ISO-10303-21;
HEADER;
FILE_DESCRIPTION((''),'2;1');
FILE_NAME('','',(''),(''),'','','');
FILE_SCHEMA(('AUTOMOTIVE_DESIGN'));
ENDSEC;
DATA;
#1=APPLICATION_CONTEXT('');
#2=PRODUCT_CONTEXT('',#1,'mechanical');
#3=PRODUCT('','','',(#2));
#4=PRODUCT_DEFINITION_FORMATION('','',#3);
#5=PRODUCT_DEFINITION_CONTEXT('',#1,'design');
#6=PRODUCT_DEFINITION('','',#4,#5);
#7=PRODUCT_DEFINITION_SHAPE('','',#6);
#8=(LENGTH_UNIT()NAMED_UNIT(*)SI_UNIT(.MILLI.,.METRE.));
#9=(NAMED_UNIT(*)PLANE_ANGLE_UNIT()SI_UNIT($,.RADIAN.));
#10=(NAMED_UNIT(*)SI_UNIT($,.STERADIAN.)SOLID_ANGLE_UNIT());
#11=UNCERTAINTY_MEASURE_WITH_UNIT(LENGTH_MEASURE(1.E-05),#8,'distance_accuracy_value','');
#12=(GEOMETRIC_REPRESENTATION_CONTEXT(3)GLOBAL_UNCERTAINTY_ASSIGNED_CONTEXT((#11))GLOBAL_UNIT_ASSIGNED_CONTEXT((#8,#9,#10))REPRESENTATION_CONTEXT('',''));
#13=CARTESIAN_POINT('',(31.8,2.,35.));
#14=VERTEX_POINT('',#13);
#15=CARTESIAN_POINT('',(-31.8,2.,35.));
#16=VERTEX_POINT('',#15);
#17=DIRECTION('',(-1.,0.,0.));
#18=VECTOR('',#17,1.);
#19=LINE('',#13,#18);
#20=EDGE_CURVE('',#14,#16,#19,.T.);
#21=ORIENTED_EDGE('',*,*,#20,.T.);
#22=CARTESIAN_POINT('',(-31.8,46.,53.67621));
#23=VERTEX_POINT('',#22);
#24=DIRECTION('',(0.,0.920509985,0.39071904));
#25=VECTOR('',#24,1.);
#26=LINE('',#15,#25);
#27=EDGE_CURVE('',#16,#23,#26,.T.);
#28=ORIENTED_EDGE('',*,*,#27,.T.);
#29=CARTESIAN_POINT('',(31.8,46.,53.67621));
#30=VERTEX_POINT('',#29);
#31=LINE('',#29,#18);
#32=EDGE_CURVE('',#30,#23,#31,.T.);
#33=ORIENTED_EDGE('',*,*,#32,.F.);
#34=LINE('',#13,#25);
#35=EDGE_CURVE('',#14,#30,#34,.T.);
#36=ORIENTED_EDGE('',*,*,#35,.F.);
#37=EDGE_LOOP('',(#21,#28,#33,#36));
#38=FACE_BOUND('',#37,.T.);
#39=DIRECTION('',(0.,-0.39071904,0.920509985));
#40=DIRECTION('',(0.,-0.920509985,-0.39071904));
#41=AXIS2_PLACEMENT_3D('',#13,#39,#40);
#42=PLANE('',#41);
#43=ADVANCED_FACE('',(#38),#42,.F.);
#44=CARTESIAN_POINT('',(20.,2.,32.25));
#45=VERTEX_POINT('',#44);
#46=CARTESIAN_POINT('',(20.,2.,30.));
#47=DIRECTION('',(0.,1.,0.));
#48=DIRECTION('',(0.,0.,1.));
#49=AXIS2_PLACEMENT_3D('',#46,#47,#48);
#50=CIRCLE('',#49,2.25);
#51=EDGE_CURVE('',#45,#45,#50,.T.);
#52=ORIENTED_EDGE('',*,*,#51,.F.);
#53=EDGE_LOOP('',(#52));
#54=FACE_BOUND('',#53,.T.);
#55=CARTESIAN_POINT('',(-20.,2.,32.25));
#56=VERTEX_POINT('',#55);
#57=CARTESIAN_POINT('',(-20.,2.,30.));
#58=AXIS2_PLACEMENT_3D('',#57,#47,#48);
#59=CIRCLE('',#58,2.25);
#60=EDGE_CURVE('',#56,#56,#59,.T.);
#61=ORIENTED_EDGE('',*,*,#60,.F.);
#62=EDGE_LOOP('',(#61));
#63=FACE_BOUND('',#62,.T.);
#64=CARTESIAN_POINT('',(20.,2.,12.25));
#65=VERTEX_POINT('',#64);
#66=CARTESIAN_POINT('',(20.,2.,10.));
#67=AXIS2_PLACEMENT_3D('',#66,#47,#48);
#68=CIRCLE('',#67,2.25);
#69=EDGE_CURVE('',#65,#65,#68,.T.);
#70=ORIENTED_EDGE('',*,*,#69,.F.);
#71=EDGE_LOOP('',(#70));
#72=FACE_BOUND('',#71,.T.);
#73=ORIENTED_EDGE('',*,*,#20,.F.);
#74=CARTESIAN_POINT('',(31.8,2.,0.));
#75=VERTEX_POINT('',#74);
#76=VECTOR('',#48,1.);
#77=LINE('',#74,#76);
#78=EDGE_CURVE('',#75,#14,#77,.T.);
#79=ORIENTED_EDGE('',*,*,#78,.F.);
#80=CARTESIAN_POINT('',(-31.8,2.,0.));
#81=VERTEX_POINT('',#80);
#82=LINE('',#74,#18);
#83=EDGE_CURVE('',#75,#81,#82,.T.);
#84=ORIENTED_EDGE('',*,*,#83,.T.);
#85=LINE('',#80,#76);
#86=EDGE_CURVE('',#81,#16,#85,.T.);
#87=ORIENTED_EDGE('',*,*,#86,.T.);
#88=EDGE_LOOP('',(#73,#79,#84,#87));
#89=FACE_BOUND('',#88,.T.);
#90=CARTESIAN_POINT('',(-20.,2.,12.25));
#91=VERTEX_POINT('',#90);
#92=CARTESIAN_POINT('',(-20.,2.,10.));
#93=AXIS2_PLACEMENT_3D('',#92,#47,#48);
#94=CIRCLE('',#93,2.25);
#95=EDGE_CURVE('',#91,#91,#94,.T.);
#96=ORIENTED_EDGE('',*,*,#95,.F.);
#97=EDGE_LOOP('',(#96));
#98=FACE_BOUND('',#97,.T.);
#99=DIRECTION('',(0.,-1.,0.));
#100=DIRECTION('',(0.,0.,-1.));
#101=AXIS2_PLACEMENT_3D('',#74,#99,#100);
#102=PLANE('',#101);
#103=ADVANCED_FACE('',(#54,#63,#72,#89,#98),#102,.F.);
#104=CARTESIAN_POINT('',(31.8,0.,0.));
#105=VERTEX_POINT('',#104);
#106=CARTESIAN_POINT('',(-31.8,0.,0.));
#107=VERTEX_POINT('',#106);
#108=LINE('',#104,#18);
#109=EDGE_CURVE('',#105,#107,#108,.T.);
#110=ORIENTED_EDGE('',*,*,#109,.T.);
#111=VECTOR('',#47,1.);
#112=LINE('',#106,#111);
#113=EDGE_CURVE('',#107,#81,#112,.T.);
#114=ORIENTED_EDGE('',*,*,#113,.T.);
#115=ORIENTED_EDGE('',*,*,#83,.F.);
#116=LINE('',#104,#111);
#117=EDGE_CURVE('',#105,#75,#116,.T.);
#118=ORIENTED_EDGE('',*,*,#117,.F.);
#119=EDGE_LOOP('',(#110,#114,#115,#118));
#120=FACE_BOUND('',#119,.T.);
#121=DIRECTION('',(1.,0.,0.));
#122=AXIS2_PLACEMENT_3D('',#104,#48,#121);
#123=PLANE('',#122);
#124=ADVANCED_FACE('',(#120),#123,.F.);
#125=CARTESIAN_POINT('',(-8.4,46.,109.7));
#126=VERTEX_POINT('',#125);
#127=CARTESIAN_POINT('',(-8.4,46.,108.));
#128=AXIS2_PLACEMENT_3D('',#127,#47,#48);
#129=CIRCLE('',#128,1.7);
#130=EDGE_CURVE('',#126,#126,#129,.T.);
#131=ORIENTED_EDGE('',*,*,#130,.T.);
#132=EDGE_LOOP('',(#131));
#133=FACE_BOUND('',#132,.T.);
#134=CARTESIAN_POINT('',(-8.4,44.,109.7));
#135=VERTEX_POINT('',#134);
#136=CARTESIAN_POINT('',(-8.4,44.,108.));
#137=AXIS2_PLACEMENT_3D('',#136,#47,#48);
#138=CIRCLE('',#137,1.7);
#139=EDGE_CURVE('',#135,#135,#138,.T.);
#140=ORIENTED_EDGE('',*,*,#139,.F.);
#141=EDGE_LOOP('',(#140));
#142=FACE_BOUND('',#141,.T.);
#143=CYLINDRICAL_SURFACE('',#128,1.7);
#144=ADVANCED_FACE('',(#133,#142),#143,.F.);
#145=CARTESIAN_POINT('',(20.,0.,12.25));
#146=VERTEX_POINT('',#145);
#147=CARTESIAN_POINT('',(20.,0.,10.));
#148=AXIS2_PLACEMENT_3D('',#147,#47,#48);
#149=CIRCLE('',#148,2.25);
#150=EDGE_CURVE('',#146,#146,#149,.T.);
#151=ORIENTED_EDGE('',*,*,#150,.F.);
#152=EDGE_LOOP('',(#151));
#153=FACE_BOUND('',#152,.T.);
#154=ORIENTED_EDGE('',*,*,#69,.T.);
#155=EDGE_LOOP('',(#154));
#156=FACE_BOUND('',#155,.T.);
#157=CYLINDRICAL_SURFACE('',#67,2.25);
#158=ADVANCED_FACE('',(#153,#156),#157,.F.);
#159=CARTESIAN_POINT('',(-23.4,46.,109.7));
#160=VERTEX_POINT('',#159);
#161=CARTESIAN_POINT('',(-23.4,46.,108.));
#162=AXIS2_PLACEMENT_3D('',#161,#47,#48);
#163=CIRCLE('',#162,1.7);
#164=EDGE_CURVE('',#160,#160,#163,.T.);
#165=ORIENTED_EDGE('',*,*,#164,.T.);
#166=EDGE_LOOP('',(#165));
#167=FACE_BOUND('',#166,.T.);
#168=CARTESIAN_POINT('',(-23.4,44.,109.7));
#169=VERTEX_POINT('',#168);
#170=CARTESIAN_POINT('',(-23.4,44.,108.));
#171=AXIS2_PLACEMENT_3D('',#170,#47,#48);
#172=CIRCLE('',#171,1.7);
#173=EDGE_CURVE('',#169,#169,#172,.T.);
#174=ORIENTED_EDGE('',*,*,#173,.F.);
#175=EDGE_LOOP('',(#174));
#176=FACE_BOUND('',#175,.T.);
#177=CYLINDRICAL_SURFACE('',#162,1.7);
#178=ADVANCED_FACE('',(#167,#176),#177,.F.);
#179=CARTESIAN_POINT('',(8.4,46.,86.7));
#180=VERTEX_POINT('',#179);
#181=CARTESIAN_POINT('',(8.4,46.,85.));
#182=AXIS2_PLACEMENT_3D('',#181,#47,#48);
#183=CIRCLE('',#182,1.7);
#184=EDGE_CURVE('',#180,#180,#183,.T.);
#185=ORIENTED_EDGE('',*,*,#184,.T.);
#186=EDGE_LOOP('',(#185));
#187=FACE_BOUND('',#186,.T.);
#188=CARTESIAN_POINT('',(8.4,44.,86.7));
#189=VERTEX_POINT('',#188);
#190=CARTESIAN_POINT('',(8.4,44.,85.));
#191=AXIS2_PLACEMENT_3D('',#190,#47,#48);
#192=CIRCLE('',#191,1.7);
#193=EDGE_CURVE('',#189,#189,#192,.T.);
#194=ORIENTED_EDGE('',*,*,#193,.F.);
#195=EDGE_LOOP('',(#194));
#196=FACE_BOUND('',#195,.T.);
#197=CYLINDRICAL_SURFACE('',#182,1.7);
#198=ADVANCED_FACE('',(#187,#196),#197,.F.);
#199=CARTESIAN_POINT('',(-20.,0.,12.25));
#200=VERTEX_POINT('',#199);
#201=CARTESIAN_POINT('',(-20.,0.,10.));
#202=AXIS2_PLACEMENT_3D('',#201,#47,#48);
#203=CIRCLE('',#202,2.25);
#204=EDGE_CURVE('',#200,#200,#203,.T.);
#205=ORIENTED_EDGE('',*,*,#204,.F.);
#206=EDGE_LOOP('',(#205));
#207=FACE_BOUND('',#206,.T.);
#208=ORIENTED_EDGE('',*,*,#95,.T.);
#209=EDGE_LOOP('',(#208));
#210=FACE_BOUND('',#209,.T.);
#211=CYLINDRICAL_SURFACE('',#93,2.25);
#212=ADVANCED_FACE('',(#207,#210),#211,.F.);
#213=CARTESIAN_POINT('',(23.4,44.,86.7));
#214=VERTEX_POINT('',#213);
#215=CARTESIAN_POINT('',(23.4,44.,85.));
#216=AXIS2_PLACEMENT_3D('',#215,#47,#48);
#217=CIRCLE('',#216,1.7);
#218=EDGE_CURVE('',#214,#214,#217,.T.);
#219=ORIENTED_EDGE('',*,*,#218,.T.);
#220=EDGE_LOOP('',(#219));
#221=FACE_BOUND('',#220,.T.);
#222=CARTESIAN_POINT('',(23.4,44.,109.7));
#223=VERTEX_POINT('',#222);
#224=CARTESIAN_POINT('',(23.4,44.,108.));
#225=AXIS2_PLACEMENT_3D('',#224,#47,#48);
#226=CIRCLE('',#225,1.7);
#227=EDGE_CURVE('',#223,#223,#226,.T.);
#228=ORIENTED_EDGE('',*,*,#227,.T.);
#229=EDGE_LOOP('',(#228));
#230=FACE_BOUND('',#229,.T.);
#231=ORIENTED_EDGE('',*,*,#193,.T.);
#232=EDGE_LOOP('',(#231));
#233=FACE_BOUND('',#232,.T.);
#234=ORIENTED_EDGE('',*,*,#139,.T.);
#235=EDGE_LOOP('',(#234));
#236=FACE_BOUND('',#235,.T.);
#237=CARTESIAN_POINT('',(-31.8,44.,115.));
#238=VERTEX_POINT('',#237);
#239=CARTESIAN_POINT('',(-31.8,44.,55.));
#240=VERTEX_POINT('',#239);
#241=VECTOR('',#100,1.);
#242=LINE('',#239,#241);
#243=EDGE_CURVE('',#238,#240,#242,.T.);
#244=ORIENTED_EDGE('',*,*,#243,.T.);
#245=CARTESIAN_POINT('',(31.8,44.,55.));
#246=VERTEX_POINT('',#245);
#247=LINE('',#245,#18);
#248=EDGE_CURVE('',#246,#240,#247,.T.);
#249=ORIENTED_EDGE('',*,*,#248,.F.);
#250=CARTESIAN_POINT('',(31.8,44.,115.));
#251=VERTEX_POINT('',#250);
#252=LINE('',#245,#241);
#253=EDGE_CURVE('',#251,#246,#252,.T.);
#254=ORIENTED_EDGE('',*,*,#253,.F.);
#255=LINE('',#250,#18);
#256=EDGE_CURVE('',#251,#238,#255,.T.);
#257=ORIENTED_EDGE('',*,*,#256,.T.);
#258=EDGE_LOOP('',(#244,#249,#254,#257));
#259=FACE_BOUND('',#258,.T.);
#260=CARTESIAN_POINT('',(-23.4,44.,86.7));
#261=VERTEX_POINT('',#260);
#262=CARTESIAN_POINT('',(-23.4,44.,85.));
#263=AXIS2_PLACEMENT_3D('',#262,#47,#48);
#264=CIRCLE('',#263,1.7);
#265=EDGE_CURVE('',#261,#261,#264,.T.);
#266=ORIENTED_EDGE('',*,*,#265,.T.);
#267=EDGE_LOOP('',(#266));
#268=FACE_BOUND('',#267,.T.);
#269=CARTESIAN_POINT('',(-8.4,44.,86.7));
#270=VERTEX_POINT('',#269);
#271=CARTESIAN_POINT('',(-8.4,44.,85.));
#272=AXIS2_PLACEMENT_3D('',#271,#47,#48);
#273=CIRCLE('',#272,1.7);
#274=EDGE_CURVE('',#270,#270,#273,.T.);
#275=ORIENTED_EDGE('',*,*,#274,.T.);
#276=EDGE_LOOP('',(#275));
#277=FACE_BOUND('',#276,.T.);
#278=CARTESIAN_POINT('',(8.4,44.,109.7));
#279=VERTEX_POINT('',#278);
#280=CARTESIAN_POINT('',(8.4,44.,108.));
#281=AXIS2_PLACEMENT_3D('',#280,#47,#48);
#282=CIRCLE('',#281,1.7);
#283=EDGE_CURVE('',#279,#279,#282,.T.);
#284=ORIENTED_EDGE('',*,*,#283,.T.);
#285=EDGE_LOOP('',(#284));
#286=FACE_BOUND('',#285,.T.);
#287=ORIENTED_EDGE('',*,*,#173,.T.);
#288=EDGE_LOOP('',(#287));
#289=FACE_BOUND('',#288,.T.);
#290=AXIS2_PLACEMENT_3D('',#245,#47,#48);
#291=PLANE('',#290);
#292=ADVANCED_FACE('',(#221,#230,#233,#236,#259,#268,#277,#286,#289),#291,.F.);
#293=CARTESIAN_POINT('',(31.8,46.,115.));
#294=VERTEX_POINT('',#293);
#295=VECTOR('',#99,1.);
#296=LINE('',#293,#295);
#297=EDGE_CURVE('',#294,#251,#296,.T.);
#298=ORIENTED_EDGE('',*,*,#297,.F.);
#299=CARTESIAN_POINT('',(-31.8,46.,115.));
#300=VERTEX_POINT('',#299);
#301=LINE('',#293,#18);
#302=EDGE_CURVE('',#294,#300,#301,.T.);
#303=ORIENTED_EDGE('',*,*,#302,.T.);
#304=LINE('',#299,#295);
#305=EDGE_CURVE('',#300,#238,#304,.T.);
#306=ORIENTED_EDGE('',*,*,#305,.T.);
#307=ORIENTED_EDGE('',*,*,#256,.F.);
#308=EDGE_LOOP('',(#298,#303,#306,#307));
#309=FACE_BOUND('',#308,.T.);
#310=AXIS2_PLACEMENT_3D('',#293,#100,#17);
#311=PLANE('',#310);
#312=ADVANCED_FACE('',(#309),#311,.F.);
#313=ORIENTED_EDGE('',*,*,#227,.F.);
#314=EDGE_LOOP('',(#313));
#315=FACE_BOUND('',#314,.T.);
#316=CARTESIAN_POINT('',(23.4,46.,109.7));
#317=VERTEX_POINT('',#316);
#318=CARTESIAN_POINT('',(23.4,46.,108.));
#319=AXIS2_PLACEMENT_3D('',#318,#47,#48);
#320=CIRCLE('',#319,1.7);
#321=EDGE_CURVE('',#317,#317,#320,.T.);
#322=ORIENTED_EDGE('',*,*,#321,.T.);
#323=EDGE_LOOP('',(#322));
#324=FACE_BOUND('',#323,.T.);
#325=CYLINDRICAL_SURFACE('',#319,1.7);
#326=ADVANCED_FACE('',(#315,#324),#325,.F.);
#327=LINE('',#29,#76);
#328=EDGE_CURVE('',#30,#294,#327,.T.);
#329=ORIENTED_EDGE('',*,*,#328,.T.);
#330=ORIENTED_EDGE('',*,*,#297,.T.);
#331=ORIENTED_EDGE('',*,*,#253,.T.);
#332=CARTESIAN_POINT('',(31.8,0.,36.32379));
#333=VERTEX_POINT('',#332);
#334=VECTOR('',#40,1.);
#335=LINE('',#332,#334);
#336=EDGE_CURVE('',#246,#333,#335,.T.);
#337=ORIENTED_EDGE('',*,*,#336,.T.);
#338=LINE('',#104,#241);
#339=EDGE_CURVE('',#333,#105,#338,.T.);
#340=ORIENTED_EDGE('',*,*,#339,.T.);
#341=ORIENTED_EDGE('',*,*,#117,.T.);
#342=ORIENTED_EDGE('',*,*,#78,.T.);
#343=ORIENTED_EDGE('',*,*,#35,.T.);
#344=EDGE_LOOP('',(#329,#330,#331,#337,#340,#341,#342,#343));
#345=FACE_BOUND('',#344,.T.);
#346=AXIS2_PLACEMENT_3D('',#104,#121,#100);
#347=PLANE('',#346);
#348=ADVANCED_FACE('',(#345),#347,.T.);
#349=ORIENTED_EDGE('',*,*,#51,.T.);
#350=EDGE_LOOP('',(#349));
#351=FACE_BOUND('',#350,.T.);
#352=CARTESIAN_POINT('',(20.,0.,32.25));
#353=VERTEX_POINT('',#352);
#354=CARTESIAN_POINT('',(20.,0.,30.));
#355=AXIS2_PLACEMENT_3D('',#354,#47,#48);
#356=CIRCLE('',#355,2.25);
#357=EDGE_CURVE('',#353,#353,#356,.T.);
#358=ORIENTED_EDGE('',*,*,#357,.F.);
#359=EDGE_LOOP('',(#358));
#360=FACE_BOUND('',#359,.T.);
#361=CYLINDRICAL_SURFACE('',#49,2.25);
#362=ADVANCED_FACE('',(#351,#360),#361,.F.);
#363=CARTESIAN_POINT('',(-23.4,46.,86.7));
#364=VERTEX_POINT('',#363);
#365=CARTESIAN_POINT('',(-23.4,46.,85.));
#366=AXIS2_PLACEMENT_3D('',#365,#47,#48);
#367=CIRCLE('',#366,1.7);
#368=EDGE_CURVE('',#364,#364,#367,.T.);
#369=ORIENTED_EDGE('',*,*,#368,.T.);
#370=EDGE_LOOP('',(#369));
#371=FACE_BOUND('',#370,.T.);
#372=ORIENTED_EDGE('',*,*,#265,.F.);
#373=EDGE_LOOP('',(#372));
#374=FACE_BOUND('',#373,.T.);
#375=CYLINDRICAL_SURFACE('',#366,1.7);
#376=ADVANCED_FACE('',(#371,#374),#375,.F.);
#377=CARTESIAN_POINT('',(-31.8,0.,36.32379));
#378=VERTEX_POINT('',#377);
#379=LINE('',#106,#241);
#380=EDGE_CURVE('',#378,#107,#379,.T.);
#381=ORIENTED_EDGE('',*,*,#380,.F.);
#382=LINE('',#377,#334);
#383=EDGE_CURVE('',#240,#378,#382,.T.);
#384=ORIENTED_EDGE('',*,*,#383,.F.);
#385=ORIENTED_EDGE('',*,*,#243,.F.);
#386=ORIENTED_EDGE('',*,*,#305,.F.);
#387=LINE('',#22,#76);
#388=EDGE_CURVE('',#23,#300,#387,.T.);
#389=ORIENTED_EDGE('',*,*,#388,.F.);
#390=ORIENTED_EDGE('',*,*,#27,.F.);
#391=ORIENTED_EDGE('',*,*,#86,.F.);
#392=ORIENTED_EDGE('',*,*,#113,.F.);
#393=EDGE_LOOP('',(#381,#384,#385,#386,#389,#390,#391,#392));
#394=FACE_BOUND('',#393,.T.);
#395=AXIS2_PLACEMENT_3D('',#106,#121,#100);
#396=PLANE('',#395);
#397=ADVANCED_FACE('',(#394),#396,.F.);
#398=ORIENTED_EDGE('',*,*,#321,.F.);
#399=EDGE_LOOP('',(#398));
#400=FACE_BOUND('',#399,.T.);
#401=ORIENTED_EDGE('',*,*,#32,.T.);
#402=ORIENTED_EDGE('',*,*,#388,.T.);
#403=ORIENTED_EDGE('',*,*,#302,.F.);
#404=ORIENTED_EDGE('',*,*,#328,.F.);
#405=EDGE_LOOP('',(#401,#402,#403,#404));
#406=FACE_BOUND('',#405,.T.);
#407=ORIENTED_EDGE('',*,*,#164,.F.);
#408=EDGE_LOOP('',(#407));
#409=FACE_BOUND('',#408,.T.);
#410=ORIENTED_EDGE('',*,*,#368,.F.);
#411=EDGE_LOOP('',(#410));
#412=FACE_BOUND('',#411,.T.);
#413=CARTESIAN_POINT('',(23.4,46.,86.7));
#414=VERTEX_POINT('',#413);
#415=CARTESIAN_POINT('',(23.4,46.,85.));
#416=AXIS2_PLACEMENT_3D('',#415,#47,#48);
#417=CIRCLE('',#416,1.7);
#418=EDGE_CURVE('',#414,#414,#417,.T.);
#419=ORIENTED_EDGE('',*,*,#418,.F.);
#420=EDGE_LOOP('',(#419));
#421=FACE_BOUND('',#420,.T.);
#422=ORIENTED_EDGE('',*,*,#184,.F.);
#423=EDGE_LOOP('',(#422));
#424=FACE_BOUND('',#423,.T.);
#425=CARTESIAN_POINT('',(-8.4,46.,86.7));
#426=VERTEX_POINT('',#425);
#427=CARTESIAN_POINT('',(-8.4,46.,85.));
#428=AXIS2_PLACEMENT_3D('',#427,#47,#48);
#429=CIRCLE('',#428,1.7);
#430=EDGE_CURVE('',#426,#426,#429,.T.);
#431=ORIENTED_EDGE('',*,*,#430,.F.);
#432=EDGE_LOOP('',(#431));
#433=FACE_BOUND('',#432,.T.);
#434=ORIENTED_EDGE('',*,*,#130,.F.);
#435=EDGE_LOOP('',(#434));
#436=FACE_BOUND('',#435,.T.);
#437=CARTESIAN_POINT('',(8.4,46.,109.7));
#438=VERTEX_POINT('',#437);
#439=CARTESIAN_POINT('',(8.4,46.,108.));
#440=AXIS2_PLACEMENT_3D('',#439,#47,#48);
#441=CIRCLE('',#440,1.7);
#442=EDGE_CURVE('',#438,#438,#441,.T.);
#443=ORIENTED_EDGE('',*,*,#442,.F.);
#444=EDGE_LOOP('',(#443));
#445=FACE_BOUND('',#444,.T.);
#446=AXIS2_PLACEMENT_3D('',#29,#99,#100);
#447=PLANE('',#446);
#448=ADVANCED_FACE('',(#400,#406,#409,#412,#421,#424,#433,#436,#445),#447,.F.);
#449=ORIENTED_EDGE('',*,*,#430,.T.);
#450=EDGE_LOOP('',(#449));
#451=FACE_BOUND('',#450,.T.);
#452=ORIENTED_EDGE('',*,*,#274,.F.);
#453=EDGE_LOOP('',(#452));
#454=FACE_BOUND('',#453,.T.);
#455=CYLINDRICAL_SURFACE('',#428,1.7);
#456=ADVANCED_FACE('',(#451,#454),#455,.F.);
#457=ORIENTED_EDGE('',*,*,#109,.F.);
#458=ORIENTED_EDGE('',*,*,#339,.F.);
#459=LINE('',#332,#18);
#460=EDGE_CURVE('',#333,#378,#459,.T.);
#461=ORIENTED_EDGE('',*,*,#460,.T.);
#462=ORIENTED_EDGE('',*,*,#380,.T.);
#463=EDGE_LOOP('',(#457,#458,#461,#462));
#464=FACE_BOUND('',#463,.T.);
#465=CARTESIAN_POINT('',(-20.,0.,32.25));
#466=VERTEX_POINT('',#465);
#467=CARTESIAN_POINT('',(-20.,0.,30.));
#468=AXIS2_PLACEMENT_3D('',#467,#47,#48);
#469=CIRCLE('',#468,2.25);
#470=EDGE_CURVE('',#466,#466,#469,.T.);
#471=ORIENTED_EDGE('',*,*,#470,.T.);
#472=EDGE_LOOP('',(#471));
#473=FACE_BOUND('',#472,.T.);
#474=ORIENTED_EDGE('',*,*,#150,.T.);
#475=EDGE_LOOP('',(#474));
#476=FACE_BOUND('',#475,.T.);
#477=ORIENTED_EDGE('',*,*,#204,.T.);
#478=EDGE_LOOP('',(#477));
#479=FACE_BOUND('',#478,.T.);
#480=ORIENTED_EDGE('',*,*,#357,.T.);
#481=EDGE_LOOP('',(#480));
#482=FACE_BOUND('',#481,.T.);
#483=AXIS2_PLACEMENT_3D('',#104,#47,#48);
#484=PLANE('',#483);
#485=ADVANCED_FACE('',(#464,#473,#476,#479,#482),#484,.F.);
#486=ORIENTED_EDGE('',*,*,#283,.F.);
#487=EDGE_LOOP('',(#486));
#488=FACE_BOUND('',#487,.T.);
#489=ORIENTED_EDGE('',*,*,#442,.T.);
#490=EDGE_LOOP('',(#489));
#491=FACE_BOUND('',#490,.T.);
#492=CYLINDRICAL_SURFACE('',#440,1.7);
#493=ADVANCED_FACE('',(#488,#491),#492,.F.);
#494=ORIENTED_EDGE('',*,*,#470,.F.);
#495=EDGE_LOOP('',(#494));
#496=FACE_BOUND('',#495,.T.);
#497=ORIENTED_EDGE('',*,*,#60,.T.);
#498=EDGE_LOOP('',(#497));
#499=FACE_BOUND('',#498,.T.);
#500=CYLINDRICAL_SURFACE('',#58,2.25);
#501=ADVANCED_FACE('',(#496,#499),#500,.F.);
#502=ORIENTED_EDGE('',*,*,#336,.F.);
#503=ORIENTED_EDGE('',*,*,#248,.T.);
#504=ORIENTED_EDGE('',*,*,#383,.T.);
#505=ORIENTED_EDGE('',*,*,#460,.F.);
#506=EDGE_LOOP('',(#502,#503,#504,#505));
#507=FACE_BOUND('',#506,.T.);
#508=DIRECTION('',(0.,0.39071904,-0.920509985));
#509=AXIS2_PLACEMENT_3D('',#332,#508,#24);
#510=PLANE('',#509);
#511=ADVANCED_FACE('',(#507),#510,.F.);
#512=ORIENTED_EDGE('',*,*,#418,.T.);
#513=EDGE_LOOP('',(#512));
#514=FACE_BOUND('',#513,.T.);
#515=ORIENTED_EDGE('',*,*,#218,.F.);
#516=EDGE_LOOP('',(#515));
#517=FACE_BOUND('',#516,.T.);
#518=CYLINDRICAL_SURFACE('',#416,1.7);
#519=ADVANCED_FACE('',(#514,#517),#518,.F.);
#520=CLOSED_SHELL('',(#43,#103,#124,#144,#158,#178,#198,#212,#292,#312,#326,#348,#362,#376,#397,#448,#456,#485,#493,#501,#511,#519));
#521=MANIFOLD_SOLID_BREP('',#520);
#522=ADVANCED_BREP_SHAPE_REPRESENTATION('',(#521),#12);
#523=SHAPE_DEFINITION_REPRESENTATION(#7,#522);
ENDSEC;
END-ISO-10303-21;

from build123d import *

# Parameters (mm, degrees)
SHEET_EXTRUDE_DEPTH      = 31.8
M3_CLEARANCE_HOLE1_D     = 3.4
M3_CLEARANCE_HOLE1_DEPTH = 8.5
M3_CLEARANCE_HOLE1_TIP   = 1.021463052
M4_CLEARANCE_HOLE1_D     = 4.5
M4_CLEARANCE_HOLE1_DEPTH = 8.5
M4_CLEARANCE_HOLE1_TIP   = 1.351936393


with BuildPart() as part:
    # Sketch2 → Sheet Extrude (new body, symmetric)
    with BuildSketch(Plane(origin=(0, 0, 0), x_dir=(0, 0, -1), z_dir=(1, 0, 0))):
        Polygon((0, 0), (0, 2), (-35, 2), (-53.676209992, 46), (-115, 46), (-115, 44), (-55, 44), (-36.323790008, 0), align=None)
    extrude(amount=SHEET_EXTRUDE_DEPTH, both=True)

    # M3 Clearance Hole1
    with Locations(Plane(origin=(0, 46, 0), x_dir=(1, 0, 0), z_dir=(0, 1, 0))):
        with Locations((-23.4, -108), (-23.4, -85), (-8.4, -85), (-8.4, -108), (23.4, -108), (8.4, -108), (8.4, -85), (23.4, -85)):
            Hole(M3_CLEARANCE_HOLE1_D / 2, depth=M3_CLEARANCE_HOLE1_DEPTH)
            with Locations((0, 0, -(M3_CLEARANCE_HOLE1_DEPTH + M3_CLEARANCE_HOLE1_TIP / 2))):  # 118° drill point
                Cone(0, M3_CLEARANCE_HOLE1_D / 2, M3_CLEARANCE_HOLE1_TIP, mode=Mode.SUBTRACT)

    # M4 Clearance Hole1
    with Locations(Plane(origin=(0, 2, 0), x_dir=(1, 0, 0), z_dir=(0, 1, 0))):
        with Locations((-20, -30), (20, -30), (20, -10), (-20, -10)):
            Hole(M4_CLEARANCE_HOLE1_D / 2, depth=M4_CLEARANCE_HOLE1_DEPTH)
            with Locations((0, 0, -(M4_CLEARANCE_HOLE1_DEPTH + M4_CLEARANCE_HOLE1_TIP / 2))):  # 118° drill point
                Cone(0, M4_CLEARANCE_HOLE1_D / 2, M4_CLEARANCE_HOLE1_TIP, mode=Mode.SUBTRACT)


solid = part.part
